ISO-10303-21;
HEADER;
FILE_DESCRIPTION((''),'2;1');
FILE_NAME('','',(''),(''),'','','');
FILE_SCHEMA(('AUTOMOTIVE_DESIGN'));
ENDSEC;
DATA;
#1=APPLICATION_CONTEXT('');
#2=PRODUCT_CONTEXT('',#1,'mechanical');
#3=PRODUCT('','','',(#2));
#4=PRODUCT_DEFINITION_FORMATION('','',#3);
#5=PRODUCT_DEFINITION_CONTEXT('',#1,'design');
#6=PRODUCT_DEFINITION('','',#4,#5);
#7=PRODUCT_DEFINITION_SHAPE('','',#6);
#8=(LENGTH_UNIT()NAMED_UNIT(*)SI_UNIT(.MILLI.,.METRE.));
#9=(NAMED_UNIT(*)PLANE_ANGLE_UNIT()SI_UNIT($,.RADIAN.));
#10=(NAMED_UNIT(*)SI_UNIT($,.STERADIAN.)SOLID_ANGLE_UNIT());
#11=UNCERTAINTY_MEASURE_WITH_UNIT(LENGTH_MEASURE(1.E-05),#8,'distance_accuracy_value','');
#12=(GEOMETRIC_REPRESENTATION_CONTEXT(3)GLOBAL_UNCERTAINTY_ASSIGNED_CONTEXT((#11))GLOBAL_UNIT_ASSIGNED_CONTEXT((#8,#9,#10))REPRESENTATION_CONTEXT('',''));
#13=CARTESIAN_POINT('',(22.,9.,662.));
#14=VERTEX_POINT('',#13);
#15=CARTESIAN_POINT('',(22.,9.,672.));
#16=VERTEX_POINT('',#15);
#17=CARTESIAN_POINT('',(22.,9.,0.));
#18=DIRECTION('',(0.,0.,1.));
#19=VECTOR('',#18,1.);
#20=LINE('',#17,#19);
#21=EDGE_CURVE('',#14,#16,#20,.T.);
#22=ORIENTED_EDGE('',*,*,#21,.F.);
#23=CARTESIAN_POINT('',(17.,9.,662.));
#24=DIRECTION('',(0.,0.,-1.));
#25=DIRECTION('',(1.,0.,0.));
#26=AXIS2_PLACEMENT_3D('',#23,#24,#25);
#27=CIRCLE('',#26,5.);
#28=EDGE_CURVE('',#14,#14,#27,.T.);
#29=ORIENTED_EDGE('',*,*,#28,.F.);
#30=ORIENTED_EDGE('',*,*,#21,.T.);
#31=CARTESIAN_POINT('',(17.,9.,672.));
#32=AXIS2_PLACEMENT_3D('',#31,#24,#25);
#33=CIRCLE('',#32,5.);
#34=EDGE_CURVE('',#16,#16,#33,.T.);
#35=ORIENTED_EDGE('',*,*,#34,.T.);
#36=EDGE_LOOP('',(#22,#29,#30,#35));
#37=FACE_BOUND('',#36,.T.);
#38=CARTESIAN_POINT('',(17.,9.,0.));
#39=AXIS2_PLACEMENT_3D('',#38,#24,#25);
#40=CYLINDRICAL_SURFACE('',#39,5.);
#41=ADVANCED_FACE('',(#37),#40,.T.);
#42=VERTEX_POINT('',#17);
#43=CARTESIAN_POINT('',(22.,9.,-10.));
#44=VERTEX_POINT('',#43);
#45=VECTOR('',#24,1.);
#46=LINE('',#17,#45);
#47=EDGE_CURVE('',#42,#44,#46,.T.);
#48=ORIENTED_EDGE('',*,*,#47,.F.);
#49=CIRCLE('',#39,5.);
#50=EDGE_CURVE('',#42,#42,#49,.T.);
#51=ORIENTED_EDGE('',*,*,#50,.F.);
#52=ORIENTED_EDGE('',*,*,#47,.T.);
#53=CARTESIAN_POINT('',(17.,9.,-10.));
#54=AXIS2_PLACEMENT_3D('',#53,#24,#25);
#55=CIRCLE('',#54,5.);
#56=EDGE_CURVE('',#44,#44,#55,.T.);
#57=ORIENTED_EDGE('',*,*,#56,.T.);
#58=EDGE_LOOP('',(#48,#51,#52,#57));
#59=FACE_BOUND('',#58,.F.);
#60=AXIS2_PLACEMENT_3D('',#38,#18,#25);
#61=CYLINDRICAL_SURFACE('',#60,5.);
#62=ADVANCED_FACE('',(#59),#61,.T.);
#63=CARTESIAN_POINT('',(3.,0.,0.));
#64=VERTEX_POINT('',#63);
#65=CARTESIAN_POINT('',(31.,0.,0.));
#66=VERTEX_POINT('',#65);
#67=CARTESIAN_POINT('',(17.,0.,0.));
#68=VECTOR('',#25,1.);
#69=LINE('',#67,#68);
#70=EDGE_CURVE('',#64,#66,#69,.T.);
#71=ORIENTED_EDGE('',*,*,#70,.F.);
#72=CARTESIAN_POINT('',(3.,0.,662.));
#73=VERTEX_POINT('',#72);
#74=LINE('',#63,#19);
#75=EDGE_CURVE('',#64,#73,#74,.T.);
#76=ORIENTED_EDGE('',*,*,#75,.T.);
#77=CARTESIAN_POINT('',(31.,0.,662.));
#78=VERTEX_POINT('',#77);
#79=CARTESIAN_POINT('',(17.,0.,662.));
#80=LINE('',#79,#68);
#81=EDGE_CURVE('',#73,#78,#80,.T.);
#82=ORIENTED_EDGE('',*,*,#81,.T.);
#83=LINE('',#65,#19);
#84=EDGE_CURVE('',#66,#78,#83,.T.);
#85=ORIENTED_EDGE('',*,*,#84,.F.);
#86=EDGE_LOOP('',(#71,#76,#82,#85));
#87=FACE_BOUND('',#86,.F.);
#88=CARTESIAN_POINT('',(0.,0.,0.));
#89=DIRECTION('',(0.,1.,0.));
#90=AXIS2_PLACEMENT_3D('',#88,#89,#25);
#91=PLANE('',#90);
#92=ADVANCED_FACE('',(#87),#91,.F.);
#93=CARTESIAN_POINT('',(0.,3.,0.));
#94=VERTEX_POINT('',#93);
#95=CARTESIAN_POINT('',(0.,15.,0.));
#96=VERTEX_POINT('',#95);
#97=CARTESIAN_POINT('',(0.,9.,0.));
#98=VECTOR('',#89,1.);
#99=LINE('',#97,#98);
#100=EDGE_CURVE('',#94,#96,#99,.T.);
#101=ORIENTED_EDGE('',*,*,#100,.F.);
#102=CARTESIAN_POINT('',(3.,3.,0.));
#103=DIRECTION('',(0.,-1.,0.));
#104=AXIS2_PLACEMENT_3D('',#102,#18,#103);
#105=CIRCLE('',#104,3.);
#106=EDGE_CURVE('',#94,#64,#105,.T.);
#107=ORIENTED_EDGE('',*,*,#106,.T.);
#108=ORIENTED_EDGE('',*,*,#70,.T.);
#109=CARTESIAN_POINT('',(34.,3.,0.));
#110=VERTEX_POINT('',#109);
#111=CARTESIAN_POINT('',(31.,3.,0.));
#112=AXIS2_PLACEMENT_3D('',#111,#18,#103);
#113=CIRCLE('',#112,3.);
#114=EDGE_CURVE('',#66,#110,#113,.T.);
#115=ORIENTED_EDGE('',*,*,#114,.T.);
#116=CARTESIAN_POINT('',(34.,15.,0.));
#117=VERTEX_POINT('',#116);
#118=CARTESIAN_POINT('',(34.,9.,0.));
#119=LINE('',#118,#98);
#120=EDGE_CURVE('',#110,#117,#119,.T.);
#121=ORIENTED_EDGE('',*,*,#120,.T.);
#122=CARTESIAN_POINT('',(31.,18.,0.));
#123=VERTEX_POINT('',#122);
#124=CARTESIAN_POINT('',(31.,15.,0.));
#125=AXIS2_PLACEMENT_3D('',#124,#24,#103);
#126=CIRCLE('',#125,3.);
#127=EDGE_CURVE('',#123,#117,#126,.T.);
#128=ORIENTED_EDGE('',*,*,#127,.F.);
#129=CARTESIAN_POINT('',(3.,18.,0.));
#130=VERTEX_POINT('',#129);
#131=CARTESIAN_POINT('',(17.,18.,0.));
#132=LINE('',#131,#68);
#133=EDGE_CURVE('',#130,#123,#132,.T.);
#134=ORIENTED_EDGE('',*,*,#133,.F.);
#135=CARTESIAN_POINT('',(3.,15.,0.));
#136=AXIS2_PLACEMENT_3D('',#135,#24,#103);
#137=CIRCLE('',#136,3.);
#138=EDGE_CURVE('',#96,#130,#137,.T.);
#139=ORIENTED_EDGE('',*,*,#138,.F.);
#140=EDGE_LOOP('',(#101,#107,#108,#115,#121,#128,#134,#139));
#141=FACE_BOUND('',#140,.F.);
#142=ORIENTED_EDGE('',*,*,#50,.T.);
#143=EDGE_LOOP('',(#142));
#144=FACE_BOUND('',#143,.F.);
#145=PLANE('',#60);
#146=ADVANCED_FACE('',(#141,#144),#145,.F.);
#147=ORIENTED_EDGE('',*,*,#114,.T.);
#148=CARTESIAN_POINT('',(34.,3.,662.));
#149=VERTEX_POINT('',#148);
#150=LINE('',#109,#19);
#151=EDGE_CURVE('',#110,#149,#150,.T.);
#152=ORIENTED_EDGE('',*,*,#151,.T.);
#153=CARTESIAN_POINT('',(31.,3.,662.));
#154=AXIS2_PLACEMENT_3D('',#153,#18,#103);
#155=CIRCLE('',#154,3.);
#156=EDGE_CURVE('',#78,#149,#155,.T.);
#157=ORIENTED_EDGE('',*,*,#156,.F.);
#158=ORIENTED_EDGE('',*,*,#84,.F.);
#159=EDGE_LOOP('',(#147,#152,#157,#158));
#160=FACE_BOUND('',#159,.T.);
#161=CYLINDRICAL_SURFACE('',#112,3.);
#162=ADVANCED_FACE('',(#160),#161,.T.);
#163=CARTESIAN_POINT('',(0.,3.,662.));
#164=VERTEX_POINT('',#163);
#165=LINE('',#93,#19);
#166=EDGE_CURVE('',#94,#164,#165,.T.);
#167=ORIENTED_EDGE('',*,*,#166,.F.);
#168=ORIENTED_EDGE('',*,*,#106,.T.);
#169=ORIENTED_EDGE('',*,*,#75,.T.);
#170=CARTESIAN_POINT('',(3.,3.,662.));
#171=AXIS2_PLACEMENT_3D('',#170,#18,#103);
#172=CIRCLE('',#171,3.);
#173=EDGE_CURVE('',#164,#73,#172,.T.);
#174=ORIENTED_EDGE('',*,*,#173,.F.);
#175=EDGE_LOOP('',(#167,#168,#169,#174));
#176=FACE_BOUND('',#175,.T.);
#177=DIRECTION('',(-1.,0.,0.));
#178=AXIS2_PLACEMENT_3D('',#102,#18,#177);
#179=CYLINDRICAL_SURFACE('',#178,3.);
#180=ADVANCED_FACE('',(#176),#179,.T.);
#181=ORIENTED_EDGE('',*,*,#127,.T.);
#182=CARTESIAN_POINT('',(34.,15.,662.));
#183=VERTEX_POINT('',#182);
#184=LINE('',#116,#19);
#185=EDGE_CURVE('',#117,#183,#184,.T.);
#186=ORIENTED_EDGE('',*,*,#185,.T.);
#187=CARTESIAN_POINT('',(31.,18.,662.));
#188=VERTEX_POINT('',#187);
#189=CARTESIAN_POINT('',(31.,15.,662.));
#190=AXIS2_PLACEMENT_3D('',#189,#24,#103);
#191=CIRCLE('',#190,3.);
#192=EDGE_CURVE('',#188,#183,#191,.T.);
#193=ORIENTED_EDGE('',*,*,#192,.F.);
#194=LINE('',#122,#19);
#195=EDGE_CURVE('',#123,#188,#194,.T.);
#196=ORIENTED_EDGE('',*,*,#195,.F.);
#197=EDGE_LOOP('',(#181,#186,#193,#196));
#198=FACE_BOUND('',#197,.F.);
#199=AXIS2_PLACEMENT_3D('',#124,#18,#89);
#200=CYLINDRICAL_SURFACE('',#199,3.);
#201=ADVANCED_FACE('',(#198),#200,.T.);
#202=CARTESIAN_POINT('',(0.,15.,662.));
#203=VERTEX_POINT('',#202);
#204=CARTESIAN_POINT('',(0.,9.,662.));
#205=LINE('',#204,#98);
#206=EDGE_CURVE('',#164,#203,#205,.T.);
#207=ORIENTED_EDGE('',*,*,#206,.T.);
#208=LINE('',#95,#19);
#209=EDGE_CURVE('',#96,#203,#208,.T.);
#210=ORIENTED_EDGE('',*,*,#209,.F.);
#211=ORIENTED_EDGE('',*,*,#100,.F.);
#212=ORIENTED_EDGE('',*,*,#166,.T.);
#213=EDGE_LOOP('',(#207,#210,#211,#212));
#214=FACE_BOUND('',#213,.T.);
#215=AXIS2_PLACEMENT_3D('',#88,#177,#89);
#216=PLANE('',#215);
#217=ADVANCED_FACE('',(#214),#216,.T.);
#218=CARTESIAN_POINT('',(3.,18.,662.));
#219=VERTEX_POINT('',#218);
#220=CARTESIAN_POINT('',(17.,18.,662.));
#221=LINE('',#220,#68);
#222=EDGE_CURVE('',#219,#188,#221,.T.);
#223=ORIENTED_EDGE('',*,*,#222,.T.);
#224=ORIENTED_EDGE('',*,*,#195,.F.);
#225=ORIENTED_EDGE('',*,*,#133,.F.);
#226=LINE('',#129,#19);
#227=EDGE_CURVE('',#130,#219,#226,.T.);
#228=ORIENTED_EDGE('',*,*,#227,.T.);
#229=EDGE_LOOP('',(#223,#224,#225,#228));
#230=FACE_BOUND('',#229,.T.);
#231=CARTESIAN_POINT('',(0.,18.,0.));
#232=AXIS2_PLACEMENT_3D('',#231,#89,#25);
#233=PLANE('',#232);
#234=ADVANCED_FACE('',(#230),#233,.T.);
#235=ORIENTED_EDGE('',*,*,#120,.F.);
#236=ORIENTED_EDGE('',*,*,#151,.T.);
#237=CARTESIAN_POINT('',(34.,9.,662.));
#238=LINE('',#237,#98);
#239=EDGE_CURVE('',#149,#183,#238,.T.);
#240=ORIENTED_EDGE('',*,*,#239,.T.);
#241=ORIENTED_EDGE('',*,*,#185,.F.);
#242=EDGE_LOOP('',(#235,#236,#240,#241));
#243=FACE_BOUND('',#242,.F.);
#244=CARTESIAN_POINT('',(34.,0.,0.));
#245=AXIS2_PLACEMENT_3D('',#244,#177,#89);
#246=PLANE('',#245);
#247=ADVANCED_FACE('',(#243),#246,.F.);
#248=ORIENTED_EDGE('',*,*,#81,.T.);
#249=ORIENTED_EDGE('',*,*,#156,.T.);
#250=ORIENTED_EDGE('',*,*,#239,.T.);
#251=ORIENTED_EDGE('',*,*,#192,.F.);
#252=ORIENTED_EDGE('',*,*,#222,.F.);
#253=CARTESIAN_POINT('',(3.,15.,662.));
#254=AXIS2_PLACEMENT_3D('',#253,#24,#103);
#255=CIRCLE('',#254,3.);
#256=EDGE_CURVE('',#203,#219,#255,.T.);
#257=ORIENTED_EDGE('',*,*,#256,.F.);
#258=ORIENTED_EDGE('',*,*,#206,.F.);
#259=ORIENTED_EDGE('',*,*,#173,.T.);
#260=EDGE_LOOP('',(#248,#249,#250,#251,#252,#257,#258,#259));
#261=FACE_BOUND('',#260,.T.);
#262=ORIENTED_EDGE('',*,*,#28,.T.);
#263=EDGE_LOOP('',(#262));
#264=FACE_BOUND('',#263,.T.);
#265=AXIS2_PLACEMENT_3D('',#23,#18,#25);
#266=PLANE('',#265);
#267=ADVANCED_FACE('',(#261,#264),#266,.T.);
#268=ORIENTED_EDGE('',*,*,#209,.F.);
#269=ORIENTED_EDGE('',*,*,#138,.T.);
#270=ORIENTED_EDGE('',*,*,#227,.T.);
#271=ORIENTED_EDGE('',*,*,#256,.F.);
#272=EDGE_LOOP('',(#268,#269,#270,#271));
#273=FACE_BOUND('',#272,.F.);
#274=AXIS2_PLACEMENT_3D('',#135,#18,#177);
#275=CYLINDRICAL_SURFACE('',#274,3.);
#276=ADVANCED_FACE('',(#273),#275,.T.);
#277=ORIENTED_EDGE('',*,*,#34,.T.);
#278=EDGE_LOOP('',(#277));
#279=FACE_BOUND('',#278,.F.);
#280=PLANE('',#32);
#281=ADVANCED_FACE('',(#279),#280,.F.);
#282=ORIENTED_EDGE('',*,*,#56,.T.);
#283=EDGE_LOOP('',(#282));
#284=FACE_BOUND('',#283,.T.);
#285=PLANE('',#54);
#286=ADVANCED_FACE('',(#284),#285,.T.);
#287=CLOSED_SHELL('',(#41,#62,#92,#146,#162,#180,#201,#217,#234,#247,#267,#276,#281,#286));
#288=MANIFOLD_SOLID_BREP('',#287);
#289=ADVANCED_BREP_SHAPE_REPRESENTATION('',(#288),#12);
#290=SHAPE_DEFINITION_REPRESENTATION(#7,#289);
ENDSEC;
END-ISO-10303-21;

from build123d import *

# Parameters (mm, degrees)
F0_W          = 34
F0_H          = 18
F1_DEPTH      = 662
F2_R          = 5
F3_DEPTH      = 10
F3_DEPTH_BACK = 672
F4_R          = 3


with BuildPart() as f1:
    # F0 (on Top) → F1 (new body)
    with BuildSketch(Plane.XY):
        with Locations((17, 9)):
            Rectangle(F0_W, F0_H)
    extrude(amount=F1_DEPTH)

    # F2 (on face) → F3 (join, two sides)
    with BuildSketch(Plane(origin=(0, 0, 0), x_dir=(1, 0, 0), z_dir=(0, 0, -1))) as f3_sk:
        with Locations((17, -9)):
            Circle(F2_R)
    extrude(amount=F3_DEPTH)
    extrude(f3_sk.sketch, amount=-F3_DEPTH_BACK)

    # F4
    f4_edges = [f1.edges().sort_by_distance(p)[0] for p in [
        (0, 0, 331),
        (0, 18, 331),
        (34, 18, 331),
        (34, 0, 331),
    ]]
    fillet(f4_edges, radius=F4_R)


solid = f1.part
